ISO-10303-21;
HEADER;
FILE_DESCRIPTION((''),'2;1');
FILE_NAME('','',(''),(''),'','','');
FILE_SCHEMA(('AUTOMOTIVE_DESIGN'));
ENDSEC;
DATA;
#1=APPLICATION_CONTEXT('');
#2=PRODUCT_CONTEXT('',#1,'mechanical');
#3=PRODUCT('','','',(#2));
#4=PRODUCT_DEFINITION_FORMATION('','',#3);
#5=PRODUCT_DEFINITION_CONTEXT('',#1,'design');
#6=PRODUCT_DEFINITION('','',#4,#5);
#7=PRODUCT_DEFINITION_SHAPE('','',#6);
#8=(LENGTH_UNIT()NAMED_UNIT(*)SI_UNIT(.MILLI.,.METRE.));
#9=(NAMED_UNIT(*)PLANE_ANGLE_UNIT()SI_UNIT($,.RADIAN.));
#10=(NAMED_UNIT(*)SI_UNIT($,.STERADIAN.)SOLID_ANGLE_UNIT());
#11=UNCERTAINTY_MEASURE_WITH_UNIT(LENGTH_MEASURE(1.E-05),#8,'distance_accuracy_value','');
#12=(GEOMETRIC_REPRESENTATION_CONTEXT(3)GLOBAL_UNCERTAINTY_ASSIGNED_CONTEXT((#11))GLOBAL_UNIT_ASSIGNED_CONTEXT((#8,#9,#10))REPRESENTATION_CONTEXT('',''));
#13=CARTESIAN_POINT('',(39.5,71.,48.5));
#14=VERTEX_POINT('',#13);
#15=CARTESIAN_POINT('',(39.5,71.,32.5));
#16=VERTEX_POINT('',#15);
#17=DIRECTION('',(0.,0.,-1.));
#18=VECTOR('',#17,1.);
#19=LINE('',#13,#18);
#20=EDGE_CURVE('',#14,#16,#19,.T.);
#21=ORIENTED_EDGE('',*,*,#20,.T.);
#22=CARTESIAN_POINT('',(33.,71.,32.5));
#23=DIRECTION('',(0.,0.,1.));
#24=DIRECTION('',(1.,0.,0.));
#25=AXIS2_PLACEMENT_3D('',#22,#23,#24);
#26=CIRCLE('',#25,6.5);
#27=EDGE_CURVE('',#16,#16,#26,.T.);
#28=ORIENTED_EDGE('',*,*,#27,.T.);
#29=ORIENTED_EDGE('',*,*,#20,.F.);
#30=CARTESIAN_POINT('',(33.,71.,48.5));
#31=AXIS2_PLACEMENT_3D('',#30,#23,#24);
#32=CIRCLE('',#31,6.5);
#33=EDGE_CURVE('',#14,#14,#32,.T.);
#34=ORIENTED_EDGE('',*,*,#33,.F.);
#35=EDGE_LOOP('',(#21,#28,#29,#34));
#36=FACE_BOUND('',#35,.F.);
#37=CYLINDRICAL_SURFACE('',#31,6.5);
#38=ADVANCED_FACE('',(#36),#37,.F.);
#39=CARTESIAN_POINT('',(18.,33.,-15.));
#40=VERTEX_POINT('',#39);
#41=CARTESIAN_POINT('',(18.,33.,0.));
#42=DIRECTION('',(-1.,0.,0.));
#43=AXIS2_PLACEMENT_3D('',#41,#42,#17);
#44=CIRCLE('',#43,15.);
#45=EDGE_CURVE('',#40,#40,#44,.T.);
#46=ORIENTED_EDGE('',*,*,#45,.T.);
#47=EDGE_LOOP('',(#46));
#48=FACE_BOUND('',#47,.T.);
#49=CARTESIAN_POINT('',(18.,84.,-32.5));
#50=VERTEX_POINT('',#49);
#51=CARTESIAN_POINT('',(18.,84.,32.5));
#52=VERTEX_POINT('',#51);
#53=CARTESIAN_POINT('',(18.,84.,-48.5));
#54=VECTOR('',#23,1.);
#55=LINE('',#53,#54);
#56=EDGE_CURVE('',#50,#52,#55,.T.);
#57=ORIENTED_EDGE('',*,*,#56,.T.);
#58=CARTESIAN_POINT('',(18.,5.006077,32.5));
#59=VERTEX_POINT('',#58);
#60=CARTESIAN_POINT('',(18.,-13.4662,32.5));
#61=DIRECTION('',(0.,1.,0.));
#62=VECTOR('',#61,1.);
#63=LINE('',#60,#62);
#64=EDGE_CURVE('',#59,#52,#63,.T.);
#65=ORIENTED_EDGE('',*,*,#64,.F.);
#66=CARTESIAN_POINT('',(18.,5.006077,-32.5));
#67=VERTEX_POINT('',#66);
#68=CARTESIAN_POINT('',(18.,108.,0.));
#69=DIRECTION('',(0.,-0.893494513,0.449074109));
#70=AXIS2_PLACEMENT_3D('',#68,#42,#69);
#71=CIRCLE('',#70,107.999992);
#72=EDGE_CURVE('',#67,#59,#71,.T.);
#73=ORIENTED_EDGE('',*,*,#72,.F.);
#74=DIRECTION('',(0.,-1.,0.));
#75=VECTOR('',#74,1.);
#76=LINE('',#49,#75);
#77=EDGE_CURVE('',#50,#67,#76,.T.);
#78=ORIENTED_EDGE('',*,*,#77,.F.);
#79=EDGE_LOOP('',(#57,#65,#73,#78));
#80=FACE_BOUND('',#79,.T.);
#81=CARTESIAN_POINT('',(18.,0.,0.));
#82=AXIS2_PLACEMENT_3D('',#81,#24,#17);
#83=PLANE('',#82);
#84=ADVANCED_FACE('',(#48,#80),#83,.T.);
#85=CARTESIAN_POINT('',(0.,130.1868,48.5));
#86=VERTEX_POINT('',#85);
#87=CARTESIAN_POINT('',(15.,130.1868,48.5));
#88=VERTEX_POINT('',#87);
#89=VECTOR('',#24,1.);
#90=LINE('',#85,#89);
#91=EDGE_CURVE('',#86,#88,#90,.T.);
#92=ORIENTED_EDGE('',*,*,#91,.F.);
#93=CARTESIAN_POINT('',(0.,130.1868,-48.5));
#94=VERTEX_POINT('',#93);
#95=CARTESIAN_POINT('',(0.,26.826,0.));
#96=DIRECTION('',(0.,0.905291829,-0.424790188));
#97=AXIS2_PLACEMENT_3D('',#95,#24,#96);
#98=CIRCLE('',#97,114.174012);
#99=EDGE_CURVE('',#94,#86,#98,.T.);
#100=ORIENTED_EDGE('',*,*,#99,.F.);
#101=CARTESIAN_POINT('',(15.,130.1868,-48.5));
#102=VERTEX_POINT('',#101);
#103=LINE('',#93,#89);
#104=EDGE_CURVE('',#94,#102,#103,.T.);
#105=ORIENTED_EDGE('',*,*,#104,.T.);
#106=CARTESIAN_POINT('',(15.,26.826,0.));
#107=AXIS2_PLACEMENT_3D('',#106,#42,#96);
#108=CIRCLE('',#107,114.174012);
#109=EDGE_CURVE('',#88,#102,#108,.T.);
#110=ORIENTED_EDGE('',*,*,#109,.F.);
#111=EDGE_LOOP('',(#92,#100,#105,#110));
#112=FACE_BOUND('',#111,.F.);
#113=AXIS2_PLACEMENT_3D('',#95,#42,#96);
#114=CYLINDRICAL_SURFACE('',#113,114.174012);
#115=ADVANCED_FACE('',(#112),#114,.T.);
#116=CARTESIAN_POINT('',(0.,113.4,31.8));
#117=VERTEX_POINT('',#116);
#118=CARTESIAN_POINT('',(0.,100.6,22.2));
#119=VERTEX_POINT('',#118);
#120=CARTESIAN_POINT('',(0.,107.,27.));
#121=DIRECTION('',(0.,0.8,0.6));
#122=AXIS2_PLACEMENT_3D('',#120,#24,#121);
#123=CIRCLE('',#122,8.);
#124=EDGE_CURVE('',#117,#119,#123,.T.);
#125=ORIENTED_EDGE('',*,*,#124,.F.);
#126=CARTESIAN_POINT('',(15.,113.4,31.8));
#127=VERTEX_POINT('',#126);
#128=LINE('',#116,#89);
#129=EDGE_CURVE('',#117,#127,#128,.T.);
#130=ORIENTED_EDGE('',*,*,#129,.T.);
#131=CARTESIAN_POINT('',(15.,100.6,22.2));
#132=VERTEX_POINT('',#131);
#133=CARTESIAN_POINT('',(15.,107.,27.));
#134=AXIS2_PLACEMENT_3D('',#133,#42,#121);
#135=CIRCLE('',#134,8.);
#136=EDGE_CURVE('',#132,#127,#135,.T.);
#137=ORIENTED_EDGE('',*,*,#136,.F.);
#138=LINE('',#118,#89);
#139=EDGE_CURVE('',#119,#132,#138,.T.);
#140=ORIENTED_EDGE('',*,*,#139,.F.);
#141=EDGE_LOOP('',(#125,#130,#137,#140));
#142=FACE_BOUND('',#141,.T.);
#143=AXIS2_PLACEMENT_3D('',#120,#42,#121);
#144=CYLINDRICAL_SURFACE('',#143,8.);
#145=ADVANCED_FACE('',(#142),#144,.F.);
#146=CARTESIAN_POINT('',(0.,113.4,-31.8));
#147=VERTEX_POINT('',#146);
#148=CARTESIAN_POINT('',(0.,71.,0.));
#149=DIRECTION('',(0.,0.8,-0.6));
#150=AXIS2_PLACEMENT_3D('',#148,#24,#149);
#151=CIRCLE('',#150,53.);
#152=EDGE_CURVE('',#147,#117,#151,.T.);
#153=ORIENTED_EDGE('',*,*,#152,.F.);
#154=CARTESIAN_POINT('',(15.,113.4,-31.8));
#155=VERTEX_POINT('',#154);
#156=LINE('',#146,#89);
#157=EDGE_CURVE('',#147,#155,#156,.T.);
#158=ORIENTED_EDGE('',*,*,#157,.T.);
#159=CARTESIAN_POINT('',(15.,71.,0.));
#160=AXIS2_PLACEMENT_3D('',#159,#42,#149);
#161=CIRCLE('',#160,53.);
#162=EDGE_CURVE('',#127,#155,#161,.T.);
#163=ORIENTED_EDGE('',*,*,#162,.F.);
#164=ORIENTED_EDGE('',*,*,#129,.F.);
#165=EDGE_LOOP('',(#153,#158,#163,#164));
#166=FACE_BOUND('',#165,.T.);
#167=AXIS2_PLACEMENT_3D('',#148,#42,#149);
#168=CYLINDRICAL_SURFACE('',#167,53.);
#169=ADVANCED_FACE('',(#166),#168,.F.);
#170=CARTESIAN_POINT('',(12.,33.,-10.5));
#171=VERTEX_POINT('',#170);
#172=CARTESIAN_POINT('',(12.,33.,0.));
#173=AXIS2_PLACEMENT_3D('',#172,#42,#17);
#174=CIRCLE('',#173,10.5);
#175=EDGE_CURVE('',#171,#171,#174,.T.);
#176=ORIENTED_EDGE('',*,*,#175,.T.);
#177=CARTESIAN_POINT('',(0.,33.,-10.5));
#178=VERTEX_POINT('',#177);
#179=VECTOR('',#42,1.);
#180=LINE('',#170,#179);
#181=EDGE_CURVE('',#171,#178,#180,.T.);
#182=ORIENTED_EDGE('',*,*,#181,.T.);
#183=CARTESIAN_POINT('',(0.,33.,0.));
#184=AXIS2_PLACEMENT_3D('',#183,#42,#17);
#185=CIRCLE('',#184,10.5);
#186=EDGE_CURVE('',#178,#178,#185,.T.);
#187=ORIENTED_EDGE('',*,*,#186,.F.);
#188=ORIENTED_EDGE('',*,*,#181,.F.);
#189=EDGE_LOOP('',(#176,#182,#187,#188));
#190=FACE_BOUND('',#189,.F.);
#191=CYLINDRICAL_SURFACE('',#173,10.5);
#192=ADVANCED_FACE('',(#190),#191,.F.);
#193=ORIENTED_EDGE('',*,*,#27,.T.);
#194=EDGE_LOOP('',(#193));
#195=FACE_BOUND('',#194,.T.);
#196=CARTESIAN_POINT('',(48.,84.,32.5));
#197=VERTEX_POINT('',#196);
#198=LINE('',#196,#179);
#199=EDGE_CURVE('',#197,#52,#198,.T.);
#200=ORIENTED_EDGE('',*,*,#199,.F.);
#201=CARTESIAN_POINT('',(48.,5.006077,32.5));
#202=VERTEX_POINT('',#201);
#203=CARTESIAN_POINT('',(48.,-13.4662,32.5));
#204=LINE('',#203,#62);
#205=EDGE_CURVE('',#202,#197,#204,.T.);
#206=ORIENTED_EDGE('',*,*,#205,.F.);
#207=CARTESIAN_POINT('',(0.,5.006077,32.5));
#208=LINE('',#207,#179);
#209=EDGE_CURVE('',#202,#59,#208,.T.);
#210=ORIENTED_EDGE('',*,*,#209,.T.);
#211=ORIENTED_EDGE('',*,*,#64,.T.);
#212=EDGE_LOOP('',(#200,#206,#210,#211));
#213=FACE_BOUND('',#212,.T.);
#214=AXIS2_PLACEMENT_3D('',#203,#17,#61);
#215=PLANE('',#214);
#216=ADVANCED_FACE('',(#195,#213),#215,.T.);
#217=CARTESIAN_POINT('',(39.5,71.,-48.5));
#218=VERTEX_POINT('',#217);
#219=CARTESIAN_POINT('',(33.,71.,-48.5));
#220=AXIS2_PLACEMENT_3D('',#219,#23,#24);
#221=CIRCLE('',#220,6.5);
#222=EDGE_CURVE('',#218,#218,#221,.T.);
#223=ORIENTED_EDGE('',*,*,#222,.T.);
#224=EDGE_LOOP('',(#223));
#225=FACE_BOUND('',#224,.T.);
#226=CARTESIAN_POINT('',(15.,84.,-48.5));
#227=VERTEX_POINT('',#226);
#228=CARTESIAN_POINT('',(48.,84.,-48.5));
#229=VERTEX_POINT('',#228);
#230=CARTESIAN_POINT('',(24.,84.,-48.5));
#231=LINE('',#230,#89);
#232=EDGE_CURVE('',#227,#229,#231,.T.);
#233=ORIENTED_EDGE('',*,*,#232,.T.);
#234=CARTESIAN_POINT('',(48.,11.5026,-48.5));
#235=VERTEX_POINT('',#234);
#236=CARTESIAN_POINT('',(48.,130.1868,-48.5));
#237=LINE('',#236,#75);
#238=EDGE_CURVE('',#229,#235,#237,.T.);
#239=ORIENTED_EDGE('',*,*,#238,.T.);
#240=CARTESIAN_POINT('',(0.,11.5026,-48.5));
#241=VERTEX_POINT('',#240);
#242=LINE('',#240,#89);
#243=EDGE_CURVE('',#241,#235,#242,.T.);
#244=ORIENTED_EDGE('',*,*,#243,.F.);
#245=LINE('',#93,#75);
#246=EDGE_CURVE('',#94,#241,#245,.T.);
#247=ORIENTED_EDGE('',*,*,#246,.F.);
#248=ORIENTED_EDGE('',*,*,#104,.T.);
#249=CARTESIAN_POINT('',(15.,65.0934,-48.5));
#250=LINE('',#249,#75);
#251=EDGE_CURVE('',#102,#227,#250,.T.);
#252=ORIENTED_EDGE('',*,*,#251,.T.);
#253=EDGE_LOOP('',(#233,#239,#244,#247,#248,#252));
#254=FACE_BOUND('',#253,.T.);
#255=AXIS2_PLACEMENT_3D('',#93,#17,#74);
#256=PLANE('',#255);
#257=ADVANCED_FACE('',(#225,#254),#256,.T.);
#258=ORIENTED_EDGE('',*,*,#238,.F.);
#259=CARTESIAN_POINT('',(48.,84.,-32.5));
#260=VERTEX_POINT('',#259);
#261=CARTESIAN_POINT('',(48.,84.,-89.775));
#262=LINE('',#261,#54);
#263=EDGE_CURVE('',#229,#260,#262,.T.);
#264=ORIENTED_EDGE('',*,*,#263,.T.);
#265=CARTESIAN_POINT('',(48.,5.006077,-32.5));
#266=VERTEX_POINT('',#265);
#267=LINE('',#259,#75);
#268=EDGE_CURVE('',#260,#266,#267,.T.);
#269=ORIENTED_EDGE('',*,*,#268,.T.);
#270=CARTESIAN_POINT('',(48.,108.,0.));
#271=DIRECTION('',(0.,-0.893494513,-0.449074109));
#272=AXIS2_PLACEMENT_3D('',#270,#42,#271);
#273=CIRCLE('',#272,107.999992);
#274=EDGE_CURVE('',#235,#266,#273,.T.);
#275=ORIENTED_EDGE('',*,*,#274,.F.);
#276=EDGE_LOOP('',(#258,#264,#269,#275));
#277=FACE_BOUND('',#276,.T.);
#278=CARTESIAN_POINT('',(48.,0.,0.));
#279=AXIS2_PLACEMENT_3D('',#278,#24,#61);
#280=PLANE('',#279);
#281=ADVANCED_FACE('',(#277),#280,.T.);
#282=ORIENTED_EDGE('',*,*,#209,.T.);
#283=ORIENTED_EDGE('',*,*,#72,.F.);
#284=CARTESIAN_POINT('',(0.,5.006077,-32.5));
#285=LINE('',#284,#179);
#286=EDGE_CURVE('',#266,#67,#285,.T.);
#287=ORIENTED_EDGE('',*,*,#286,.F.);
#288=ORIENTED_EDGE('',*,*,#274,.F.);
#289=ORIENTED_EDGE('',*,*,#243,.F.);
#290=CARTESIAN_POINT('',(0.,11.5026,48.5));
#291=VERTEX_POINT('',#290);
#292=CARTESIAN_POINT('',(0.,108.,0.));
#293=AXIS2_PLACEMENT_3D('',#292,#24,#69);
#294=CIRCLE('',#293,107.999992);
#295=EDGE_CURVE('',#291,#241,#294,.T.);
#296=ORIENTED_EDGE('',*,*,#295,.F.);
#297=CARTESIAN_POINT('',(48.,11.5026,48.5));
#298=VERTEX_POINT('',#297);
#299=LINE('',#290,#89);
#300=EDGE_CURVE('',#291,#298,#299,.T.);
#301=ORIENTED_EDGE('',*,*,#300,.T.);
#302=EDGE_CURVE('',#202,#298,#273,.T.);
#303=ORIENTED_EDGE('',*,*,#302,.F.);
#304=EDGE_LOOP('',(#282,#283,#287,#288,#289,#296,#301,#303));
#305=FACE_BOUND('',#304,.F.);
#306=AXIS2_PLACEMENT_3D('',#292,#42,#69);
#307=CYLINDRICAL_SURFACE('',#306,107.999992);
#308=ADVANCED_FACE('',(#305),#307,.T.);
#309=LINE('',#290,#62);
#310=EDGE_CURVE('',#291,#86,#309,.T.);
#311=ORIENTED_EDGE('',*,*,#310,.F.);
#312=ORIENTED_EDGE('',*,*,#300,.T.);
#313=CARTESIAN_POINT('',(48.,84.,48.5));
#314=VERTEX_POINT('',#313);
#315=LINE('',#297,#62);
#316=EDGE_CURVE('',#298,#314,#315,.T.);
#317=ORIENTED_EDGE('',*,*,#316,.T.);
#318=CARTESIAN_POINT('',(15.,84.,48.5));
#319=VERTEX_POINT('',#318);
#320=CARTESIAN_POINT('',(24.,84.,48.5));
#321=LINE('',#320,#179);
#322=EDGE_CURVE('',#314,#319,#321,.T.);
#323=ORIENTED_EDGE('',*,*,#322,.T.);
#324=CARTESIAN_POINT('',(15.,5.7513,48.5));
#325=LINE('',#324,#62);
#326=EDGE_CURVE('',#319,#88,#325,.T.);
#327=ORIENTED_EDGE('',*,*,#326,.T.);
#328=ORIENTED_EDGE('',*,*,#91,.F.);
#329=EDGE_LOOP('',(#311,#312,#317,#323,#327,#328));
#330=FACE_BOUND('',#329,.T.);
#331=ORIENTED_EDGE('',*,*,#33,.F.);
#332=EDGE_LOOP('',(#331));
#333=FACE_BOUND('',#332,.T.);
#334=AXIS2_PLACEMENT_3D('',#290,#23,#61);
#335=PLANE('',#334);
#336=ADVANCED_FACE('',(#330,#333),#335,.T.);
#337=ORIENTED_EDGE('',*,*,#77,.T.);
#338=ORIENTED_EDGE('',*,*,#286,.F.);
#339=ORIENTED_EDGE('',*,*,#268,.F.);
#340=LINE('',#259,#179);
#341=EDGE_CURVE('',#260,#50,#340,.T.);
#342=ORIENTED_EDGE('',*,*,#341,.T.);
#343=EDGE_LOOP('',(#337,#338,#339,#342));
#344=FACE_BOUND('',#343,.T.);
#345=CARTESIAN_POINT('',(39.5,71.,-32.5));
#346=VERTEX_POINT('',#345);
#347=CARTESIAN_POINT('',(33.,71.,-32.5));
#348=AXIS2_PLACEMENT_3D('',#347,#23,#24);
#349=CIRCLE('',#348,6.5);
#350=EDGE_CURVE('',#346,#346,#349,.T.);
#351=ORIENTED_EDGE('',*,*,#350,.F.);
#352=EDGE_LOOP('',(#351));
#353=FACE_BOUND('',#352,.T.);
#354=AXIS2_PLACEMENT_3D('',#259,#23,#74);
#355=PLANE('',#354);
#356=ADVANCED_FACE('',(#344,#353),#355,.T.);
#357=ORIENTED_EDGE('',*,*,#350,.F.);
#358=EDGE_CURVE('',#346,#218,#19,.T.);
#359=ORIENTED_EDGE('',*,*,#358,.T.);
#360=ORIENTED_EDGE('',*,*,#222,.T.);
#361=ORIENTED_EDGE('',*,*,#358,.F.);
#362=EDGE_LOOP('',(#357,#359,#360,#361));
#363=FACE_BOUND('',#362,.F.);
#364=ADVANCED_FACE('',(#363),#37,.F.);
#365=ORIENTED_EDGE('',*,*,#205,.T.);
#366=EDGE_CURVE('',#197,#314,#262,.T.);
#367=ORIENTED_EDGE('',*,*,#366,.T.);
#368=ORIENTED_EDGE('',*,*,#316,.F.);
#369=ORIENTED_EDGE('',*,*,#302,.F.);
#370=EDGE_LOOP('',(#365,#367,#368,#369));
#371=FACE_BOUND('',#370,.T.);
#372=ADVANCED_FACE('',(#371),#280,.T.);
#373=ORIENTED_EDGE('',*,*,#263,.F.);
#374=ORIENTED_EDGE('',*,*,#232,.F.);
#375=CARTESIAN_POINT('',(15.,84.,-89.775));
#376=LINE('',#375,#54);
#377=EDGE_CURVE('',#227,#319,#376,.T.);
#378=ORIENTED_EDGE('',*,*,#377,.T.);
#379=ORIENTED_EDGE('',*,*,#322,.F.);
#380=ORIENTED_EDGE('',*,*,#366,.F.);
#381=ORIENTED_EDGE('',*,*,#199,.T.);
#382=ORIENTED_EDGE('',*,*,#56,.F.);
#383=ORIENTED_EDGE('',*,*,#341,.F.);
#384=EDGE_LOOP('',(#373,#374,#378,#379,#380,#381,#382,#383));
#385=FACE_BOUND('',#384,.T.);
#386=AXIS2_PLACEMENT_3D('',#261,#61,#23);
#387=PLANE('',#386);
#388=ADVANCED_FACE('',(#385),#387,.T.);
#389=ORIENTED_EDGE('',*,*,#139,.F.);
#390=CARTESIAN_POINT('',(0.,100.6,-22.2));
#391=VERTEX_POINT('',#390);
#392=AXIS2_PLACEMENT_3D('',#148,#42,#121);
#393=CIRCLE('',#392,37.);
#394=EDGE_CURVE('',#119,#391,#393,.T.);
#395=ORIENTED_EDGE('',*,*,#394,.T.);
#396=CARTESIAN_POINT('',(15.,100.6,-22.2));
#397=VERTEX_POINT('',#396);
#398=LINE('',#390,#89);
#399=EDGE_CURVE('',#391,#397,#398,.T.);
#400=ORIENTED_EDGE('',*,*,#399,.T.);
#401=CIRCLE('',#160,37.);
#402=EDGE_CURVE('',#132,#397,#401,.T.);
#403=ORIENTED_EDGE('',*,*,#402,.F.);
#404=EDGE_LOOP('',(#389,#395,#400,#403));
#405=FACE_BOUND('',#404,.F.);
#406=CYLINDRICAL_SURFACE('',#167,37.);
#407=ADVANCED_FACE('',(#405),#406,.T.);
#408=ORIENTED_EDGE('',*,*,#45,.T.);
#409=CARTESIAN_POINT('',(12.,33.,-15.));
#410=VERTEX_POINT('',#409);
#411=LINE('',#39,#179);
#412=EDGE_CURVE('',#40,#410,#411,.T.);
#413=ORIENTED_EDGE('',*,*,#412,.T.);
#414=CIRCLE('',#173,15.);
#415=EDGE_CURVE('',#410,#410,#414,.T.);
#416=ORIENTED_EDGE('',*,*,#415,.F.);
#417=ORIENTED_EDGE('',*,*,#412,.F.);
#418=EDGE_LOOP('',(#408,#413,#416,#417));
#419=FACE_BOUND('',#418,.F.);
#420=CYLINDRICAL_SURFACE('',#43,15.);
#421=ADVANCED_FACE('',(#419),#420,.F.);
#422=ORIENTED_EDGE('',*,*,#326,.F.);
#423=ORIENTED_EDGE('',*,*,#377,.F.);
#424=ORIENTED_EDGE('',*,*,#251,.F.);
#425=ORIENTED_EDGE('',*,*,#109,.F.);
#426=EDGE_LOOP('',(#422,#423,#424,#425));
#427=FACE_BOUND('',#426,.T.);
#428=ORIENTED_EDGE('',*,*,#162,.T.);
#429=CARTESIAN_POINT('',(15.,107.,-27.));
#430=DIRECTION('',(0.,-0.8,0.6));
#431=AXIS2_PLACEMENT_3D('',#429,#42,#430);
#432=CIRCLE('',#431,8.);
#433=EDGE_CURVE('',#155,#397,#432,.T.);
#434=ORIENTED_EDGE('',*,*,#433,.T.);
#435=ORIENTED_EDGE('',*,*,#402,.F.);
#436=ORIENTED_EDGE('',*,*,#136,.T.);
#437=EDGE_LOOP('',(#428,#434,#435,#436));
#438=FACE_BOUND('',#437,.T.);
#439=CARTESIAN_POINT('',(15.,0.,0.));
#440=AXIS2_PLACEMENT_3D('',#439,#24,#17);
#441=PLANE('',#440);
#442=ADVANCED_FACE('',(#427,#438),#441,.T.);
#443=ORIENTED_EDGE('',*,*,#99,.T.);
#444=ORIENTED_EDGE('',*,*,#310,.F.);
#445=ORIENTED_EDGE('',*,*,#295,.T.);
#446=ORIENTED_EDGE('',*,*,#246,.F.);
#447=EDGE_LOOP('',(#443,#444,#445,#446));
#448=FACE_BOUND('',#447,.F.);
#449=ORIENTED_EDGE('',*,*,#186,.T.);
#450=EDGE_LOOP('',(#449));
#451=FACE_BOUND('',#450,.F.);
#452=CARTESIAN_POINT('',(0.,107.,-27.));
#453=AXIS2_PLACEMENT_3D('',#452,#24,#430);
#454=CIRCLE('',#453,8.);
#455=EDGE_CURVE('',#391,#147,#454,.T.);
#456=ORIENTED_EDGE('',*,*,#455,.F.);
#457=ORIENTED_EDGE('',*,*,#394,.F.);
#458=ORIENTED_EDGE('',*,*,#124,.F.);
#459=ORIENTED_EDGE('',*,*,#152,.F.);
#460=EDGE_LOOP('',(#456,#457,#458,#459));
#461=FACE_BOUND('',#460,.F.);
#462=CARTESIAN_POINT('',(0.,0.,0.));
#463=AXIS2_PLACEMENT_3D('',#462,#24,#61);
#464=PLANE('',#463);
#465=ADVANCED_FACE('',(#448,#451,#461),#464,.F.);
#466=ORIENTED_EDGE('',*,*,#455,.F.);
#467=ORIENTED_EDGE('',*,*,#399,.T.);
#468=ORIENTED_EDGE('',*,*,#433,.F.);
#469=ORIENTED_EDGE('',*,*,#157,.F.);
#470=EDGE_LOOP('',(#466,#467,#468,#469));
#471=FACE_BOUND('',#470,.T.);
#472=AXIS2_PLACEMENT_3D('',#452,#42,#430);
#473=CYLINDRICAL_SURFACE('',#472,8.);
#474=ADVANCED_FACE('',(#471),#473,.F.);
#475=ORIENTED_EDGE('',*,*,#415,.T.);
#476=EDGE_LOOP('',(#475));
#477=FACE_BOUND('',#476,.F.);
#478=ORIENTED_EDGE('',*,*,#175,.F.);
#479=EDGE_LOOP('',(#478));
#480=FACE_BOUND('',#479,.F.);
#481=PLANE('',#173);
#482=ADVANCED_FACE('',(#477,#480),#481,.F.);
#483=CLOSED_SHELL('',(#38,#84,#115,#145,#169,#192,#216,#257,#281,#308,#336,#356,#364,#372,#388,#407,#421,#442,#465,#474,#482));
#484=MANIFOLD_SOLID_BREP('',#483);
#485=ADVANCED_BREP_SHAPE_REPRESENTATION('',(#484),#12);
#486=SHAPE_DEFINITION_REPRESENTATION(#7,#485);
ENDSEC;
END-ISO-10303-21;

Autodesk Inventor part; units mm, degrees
ref_plane "YZ Plane" through (0, 0, 0) normal (1, 0, 0) x (0, 1, 0)
ref_plane "XZ Plane" through (0, 0, 0) normal (0, 1, 0) x (-1, 0, 0)
ref_plane "XY Plane" through (0, 0, 0) normal (0, 0, 1) x (1, 0, 0)
sketch "Sketch1" plane through (0, 0, 0) normal (1, 0, 0) x (0, 1, 0)
  arc A0 (11.5026, 48.5) -> (11.5026, -48.5) centre (108, 0) ccw
  arc A1 (130.1868, -48.5) -> (130.1868, 48.5) centre (26.826, 0) ccw
  line L0 (11.5026, 48.5) -> (130.1868, 48.5)
  line L1 (130.1868, -48.5) -> (11.5026, -48.5)
  line L2 (0, 0) -> (141, 0)
  arc A2 (107, -27) -> (107, 27) centre (71, 0) ccw construction
  arc A3 (113.4, -31.8) -> (113.4, 31.8) centre (71, 0) ccw
  arc A4 (100.6, -22.2) -> (100.6, 22.2) centre (71, 0) ccw
  arc A5 (100.6, -22.2) -> (113.4, -31.8) centre (107, -27) ccw
  arc A6 (113.4, 31.8) -> (100.6, 22.2) centre (107, 27) ccw
  dimension "d0" = 108
  dimension "d2" = 141
  dimension "d3" = 97
  dimension "d4" = 54
  dimension "d5" = 8
  dimension "d6" = 45
extrude "Extrusion1" add sketch "Sketch1" along normal blind 48 contours L0 A1 L2 A3 A6 A4 A0 | L2 A4 A5 A3 A1 L1 A0
sketch "Sketch2" plane through (48, 0, 0) normal (1, 0, 0) x (0, 0, -1)
  line L0 (-88.6528, 151.7053) -> (89.775, 151.7053)
  line L1 (89.775, 151.7053) -> (89.775, 84)
  line L2 (89.775, 84) -> (-88.6528, 84)
  line L3 (-88.6528, 84) -> (-88.6528, 151.7053)
  point P0 (0, 0)
  dimension "d9" = 84
extrude "Extrusion2" cut sketch "Sketch2" against normal blind 33
sketch "Sketch3" plane through (48, 0, 0) normal (1, 0, 0) x (0, 0, -1)
  line L0 (48.5, 84) -> (-48.5, 84) projected
  line L1 (-32.5, 84) -> (32.5, 84)
  line L2 (32.5, 84) -> (32.5, -13.4662)
  line L3 (32.5, -13.4662) -> (-32.5, -13.4662)
  line L4 (-32.5, -13.4662) -> (-32.5, 84)
  line L5 (-48.5, 84) -> (-48.5, 11.5026) projected
  line L6 (48.5, 11.5026) -> (48.5, 84) projected
  point P0 (0, 0)
  dimension "d12" = 16
  dimension "d13" = 16
extrude "Extrusion3" cut sketch "Sketch3" against normal blind 30
sketch "Sketch4" plane through (0, 11.5026, 48.5) normal (0, 0, 1) x (1, 0, 0)
  circle A0 centre (33, 59.4974) radius 6.5
  line L0 (48, 72.4974) -> (15, 72.4974) projected
  line L1 (48, 72.4974) -> (48, 0) projected
  point P0 (0, -11.5026)
  dimension "d16" = 13
  dimension "d17" = 13
  dimension "d18" = 15
extrude "Extrusion4" cut sketch "Sketch4" against normal through all
sketch "Sketch5" plane through (18, 0, 0) normal (1, 0, 0) x (0, 0, -1)
  point P0 (0, 0)
  point P1 (0, 33)
  dimension "d21" = 33
hole "Hole1" at (18, 33, 0) direction (-1, 0, 0) diameter 21 end through all counterbore diameter 30 counterbore depth 6
properties part number "swivel plate"
